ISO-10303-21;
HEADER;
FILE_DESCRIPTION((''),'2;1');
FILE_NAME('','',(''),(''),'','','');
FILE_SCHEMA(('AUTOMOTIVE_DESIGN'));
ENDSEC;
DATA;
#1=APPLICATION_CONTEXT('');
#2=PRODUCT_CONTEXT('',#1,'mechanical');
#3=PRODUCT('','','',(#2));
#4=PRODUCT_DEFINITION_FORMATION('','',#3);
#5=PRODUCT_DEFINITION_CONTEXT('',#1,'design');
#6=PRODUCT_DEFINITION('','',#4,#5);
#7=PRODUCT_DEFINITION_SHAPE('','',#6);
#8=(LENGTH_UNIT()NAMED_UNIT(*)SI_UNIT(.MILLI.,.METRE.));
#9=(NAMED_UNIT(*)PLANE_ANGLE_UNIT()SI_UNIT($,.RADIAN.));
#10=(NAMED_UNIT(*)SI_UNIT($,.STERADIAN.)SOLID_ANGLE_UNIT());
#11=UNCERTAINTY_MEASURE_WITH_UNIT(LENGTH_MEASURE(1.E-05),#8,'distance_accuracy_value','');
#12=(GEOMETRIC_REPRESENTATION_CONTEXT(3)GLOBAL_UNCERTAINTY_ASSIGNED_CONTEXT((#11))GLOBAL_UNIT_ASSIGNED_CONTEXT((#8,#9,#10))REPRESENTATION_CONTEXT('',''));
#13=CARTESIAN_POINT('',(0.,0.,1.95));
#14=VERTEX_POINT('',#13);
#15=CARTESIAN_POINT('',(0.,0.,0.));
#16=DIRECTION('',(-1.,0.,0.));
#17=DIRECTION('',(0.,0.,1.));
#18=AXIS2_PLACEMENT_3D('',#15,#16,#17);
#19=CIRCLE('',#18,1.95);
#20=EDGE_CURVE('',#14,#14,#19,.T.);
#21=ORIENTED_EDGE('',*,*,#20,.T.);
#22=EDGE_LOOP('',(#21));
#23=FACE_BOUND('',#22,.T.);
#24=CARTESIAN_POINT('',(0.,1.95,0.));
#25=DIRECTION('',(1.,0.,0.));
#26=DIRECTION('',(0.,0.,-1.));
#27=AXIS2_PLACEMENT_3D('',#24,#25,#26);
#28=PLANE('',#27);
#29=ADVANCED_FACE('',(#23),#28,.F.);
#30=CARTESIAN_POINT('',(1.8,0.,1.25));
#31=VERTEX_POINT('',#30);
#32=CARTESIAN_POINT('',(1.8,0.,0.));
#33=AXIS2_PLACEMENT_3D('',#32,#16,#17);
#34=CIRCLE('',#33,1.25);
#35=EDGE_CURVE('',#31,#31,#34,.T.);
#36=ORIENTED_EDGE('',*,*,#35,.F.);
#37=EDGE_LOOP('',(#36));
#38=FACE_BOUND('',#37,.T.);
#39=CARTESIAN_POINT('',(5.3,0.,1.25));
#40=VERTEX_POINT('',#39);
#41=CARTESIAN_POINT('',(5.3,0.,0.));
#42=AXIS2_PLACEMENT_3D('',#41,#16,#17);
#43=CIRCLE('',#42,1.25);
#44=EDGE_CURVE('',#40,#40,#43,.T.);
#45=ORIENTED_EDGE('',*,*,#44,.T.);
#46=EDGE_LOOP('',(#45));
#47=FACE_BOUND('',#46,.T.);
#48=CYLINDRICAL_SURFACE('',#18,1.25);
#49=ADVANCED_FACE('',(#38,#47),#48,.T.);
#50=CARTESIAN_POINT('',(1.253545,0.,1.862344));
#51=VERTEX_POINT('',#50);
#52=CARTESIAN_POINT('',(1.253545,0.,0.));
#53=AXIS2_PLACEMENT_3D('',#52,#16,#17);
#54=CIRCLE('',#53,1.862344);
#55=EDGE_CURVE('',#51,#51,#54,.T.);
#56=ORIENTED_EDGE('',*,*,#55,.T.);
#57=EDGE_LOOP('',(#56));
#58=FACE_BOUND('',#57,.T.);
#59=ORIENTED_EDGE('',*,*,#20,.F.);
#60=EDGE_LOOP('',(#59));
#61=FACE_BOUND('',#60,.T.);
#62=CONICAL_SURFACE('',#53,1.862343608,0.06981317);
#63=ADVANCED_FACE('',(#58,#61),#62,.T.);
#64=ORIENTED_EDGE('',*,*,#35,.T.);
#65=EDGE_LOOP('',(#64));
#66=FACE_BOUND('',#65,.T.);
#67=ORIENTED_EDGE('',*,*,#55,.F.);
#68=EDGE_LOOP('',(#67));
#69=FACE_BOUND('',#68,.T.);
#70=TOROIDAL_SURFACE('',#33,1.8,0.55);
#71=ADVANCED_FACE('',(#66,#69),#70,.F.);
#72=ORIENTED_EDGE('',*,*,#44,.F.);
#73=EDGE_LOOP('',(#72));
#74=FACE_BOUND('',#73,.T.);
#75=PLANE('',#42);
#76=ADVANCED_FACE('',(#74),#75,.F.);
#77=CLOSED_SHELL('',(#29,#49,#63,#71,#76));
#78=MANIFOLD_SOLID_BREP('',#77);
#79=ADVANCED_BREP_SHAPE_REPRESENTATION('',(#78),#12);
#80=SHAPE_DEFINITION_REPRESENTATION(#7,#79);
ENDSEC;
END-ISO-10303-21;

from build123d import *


with BuildPart() as part:
    # Szkic1 → Obrót1 (revolve)
    with BuildSketch(Plane.XY, mode=Mode.PRIVATE) as obr_t1_sk:
        with BuildLine():
            Line((5.3, 0), (5.3, 1.25))
            Line((5.3, 1.25), (1.8, 1.25))
            ThreePointArc((1.8, 1.25), (1.38964102, 1.433795811), (1.25354481, 1.862343608))
            Line((1.25354481, 1.862343608), (0, 1.95))
            Line((0, 1.95), (0, 0))
            Line((0, 0), (5.3, 0))
        make_face()
    revolve(obr_t1_sk.sketch.rotate(Axis((0, 0, 0), (1, 0, 0)), 90), axis=Axis((0, 0, 0), (1, 0, 0)))


solid = part.part
